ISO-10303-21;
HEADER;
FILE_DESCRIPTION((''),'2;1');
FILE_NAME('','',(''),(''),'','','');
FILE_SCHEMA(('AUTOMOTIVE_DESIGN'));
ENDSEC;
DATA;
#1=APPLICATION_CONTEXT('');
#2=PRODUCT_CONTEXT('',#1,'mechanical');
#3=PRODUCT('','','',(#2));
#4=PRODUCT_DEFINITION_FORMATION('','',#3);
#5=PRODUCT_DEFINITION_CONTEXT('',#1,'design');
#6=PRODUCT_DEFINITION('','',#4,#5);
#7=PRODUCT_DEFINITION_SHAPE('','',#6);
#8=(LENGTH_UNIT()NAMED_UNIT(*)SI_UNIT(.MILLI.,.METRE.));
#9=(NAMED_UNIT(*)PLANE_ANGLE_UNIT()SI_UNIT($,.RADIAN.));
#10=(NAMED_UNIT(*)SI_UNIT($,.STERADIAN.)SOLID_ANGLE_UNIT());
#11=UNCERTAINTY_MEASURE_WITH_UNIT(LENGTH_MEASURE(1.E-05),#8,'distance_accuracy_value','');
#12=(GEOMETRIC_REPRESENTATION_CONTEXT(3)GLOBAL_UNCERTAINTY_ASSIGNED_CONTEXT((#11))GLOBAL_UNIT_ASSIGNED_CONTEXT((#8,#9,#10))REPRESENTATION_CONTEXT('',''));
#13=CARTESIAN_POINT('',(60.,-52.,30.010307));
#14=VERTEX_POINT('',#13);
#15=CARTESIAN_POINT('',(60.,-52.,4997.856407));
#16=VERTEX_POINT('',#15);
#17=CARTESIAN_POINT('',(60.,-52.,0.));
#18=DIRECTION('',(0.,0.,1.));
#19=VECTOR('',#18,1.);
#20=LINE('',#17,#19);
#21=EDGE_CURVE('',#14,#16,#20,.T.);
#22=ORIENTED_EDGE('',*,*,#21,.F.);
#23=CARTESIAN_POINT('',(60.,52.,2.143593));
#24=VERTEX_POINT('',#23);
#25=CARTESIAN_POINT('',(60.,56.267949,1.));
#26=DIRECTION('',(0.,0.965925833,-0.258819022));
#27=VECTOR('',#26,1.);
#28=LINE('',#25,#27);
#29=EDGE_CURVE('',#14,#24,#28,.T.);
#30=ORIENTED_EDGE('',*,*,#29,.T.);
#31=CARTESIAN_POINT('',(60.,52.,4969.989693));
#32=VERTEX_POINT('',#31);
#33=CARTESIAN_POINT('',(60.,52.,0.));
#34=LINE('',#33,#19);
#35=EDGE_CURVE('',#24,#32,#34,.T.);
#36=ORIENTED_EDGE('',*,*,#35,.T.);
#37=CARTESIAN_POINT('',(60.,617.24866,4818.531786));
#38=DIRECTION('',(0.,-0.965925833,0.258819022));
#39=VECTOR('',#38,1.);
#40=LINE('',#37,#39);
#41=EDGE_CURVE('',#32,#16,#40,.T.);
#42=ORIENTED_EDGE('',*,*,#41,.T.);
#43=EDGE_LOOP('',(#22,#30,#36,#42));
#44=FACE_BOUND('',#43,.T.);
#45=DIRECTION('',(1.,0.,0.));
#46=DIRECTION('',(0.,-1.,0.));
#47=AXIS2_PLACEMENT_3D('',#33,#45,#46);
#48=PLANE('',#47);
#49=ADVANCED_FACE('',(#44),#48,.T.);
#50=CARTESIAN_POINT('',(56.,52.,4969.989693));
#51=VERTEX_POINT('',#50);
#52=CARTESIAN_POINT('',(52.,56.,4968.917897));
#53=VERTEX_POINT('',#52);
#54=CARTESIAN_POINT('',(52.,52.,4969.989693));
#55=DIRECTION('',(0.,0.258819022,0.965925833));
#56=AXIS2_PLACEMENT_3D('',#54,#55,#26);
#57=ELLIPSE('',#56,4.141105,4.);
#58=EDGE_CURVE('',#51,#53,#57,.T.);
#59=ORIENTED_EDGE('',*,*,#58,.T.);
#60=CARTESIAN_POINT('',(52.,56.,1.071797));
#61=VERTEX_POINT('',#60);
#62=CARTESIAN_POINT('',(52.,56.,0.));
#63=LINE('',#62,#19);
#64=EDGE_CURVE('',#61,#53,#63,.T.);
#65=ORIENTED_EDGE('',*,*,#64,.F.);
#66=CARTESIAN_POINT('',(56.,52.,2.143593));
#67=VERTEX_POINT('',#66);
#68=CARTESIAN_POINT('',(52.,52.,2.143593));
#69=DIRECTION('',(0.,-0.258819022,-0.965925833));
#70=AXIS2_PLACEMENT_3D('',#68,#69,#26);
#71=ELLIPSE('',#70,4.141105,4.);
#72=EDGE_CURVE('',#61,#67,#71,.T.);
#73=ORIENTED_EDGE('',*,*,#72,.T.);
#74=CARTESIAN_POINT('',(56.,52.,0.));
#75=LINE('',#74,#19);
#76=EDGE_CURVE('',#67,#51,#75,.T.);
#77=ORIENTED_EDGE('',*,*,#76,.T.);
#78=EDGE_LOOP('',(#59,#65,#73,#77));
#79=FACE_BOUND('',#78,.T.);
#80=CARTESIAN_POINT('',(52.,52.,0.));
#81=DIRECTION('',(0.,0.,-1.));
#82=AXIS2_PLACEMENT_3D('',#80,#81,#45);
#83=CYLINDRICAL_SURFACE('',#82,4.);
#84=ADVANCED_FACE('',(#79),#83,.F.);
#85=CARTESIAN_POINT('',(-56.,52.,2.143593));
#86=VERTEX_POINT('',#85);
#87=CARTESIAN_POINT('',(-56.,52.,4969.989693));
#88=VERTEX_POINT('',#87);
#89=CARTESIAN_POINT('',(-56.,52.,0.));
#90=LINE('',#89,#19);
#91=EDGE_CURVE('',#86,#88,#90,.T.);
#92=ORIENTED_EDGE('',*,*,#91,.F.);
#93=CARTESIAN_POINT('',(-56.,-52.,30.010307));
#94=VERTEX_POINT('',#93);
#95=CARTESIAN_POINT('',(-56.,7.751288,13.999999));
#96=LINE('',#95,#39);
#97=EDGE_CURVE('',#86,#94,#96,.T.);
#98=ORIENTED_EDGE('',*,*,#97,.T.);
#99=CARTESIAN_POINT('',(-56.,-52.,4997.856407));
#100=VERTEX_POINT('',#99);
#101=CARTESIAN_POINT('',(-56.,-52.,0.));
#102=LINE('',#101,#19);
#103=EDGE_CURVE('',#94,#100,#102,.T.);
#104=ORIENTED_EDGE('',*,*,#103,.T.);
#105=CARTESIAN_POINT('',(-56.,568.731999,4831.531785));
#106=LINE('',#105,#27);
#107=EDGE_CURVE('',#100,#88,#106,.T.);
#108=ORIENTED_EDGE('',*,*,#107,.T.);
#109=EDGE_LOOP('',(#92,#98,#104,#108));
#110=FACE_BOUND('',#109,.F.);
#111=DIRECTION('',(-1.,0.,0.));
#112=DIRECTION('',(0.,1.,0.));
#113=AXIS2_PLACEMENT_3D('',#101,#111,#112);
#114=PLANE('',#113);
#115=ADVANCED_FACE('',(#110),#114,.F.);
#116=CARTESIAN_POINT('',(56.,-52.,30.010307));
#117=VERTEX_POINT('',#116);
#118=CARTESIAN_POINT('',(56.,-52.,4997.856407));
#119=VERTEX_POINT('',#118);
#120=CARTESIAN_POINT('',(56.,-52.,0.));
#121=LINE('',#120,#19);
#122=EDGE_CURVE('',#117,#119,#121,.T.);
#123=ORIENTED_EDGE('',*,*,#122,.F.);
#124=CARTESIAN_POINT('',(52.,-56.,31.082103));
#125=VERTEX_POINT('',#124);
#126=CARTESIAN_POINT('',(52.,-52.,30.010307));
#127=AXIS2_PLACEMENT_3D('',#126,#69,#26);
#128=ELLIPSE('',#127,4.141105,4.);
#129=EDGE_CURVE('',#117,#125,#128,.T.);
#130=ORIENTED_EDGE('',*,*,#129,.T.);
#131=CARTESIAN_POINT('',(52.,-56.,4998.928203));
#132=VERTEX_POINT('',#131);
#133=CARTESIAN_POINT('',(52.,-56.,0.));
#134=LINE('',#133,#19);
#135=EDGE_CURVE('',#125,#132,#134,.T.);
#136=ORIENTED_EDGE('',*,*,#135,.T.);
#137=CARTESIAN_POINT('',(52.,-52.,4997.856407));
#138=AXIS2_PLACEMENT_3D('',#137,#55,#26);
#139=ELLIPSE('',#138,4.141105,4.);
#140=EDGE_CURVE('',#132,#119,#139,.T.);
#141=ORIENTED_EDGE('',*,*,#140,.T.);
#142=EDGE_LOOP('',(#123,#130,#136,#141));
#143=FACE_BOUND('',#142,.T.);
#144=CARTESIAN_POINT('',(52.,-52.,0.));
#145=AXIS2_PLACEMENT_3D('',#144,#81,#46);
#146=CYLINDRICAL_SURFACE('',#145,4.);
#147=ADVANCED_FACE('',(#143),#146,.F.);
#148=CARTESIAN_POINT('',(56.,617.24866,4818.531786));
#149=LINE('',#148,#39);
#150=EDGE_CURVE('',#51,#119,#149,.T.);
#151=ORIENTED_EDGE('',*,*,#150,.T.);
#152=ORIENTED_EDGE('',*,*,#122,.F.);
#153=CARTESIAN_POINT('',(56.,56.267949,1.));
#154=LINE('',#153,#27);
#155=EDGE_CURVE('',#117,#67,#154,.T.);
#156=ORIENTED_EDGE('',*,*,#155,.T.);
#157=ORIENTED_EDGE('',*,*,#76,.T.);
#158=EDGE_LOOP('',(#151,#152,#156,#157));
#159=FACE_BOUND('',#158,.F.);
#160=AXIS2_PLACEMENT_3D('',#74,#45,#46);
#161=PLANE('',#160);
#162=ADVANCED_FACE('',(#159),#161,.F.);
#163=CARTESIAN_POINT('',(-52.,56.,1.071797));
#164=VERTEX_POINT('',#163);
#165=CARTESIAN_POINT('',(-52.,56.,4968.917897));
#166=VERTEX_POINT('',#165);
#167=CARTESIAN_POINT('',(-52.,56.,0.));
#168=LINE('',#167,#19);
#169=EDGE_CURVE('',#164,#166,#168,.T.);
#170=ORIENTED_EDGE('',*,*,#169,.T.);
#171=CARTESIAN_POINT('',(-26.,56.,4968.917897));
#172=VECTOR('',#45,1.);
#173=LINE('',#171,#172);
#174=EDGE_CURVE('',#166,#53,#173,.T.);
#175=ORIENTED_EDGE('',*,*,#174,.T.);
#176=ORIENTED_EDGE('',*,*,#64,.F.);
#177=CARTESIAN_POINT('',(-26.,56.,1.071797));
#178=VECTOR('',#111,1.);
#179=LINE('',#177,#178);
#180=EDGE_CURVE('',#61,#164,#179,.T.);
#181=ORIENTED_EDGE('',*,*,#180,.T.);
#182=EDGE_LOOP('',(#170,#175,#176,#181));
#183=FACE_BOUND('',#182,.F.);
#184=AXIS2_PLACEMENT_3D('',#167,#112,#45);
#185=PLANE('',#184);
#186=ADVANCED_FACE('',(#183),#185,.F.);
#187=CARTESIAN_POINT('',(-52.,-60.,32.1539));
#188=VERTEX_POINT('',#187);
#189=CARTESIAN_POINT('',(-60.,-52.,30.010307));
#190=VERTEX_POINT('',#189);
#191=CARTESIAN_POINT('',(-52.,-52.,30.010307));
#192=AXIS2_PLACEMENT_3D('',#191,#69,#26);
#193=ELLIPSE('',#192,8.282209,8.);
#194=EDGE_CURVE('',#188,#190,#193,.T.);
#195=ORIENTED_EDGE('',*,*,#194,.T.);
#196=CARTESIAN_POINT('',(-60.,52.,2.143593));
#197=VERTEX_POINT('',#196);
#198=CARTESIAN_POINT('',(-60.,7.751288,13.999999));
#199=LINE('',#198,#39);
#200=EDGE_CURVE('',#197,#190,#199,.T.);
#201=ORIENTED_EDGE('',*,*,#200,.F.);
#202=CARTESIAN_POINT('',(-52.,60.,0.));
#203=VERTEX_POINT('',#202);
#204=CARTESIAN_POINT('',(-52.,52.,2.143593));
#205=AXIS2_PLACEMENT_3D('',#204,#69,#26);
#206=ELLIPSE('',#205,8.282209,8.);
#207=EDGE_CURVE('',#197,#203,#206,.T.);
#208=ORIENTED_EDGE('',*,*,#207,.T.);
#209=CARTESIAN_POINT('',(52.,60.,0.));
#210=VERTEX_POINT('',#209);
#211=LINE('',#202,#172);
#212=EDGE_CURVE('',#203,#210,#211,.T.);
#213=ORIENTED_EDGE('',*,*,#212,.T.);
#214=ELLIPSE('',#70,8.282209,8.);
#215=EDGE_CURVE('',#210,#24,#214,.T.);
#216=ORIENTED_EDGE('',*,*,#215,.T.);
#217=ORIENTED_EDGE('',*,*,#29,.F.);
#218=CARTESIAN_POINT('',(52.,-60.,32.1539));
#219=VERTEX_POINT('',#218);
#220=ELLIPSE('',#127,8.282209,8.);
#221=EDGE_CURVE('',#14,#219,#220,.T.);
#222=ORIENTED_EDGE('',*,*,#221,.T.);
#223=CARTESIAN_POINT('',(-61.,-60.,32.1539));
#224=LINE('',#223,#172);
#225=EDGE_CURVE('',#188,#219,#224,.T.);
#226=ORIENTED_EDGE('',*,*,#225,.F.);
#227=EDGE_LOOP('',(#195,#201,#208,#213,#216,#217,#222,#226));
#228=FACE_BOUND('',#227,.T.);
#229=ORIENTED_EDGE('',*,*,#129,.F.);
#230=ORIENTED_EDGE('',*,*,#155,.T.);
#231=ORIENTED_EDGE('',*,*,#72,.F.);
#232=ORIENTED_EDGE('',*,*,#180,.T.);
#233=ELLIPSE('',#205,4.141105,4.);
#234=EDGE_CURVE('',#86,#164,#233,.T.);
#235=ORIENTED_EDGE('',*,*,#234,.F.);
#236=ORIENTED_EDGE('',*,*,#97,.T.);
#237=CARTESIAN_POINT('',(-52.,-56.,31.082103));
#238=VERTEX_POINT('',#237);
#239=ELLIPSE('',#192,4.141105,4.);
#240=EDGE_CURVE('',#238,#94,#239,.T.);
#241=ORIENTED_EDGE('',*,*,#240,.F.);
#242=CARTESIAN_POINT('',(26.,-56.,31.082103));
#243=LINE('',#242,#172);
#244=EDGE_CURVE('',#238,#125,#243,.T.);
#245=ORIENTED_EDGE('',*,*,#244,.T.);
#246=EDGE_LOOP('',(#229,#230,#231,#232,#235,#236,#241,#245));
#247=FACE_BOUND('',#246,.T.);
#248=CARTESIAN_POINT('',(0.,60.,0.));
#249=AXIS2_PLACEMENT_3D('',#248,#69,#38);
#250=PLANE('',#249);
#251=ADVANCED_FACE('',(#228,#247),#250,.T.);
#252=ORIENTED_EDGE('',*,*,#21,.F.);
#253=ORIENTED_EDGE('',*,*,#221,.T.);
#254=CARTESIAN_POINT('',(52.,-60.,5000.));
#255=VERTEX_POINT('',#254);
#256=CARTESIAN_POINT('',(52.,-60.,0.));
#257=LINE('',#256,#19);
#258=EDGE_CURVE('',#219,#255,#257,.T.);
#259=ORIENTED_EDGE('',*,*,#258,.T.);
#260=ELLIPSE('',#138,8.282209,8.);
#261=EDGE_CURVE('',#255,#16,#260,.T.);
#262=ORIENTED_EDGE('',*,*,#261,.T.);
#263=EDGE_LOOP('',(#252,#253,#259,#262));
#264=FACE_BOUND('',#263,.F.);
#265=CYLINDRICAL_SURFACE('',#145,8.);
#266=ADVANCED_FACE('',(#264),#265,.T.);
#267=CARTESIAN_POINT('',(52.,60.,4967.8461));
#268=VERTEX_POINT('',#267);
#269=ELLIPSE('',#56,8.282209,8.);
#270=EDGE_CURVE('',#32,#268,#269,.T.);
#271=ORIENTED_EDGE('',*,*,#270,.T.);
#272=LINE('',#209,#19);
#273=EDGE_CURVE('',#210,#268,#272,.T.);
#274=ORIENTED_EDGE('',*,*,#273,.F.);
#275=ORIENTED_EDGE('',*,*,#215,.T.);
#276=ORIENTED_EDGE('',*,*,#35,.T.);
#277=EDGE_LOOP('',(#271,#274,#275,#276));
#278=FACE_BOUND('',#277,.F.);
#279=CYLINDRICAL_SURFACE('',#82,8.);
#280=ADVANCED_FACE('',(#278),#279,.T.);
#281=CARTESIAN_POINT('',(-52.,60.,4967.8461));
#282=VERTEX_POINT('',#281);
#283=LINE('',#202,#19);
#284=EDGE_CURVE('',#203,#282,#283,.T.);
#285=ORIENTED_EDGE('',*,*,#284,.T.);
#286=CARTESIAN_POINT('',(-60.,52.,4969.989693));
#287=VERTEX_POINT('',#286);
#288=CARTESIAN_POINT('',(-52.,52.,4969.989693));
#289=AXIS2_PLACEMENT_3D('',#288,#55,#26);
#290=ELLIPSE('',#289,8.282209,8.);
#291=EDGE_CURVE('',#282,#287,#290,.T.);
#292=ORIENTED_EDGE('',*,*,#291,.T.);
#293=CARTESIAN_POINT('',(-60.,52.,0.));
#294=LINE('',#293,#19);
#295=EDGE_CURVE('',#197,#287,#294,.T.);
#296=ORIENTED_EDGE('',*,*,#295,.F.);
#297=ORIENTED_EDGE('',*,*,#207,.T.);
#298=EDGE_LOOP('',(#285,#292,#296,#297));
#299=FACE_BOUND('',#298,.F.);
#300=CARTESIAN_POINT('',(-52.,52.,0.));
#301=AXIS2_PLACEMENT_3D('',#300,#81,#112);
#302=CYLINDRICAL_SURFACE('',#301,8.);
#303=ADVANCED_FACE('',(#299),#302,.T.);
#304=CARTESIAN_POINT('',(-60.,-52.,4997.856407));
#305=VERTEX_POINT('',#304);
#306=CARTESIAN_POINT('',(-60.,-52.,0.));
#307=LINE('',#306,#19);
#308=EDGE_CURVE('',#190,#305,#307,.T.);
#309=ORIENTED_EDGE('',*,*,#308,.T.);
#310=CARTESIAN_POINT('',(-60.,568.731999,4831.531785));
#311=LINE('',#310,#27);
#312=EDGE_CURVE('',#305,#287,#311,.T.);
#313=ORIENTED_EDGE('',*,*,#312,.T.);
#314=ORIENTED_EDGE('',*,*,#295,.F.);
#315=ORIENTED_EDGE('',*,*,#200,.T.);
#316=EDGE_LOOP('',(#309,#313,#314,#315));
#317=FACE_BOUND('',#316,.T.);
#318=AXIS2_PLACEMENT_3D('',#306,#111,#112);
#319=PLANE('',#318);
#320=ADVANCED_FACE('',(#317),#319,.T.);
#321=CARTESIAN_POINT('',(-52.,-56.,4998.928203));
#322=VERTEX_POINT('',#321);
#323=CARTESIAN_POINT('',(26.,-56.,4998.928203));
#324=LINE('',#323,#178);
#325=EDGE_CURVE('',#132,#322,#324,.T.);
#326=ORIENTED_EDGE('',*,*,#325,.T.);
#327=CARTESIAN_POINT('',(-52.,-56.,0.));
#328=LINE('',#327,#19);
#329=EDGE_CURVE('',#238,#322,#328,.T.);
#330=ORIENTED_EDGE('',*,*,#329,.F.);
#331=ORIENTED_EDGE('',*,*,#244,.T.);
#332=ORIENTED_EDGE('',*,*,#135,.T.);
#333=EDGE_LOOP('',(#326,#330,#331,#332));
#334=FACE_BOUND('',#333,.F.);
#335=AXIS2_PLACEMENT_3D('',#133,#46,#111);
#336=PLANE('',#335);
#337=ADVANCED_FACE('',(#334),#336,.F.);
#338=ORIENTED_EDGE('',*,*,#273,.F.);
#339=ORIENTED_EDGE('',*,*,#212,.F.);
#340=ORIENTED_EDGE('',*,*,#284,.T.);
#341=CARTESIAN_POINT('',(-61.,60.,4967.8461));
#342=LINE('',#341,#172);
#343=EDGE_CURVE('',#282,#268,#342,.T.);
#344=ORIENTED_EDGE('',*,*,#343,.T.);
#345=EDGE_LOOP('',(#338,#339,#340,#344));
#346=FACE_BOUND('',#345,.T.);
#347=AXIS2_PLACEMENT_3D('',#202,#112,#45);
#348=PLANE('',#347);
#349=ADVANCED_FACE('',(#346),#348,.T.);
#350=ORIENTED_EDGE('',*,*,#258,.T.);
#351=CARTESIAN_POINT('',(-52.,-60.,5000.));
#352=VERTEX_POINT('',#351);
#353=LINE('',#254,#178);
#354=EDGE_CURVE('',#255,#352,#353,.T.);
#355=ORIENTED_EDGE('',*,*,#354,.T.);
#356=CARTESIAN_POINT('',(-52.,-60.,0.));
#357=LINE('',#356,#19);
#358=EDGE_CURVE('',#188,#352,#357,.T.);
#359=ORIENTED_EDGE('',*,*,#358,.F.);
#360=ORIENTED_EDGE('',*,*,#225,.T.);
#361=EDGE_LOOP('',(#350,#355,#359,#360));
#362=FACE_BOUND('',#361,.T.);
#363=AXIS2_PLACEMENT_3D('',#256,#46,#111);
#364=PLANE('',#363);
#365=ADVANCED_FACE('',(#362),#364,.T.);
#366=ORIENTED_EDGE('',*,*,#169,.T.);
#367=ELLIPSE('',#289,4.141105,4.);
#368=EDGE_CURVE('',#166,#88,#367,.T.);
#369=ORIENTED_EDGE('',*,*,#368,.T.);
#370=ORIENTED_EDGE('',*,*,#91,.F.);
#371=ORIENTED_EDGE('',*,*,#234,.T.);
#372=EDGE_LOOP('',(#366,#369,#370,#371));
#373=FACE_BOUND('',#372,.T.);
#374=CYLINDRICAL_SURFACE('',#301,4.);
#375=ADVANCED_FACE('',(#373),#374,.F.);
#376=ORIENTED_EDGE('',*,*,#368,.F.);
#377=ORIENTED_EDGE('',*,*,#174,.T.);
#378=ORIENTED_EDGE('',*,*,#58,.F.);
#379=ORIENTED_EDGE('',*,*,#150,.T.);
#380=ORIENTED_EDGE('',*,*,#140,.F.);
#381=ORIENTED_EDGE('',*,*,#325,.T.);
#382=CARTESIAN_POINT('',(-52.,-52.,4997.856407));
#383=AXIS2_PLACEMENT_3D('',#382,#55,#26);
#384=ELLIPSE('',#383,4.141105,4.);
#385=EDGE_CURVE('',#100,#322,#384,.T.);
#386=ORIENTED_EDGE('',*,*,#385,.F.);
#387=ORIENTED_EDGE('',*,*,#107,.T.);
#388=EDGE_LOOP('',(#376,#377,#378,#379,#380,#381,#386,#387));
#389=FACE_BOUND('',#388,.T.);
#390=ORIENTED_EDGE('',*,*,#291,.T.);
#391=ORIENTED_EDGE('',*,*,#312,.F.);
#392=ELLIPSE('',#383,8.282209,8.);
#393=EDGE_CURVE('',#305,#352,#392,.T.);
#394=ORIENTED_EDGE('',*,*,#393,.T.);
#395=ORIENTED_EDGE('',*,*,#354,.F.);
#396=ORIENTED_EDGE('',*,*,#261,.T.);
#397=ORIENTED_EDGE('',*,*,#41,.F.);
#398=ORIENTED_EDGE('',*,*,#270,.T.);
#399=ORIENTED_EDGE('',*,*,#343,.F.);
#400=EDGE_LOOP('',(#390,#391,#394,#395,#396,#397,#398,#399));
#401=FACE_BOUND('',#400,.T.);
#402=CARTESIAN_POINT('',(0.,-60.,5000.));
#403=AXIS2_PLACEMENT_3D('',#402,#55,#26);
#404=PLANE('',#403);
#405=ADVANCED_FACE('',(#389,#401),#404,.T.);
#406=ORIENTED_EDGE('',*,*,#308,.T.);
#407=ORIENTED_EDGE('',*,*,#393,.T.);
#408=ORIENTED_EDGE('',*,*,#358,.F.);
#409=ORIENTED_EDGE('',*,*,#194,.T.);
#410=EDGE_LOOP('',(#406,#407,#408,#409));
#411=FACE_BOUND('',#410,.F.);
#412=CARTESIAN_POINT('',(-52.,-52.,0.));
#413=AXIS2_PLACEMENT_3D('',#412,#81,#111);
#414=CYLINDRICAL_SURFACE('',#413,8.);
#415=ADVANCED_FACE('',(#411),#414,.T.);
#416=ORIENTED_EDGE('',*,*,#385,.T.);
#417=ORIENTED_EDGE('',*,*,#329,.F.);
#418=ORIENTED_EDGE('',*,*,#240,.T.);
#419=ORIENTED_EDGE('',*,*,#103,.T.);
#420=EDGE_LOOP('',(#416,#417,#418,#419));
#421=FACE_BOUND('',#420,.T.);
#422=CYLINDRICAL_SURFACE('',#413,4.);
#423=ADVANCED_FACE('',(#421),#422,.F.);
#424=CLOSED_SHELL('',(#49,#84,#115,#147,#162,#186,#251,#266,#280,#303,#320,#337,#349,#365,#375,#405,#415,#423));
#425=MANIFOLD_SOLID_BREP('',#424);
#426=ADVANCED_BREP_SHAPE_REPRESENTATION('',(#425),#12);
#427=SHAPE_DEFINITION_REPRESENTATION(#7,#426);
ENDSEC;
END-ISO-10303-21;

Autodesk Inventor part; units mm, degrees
ref_plane "YZ Plane" through (0, 0, 0) normal (1, 0, 0) x (0, 1, 0)
ref_plane "Start plane" through (0, 0, 0) normal (0, 0, 1) x (1, 0, 0)
ref_plane "End plane" through (0, 0, 5000) normal (0, 0, 1) x (1, 0, 0)
sketch "Sketch" plane through (0, 0, 0) normal (0, 0, 1) x (1, 0, 0)
  line L0 (-60, -52) -> (-60, 52)
  line L1 (-52, 60) -> (52, 60)
  line L2 (60, 52) -> (60, -52)
  line L3 (52, -60) -> (-52, -60)
  arc A0 (-60, -52) -> (-52, -60) centre (-52, -52) ccw
  arc A1 (60, 52) -> (52, 60) centre (52, 52) ccw
  arc A2 (-52, 60) -> (-60, 52) centre (-52, 52) ccw
  arc A3 (52, -60) -> (60, -52) centre (52, -52) ccw
  arc A4 (-52, 56) -> (-56, 52) centre (-52, 52) ccw
  line L4 (-52, 56) -> (52, 56)
  arc A5 (56, 52) -> (52, 56) centre (52, 52) ccw
  line L5 (56, 52) -> (56, -52)
  arc A6 (52, -56) -> (56, -52) centre (52, -52) ccw
  line L6 (52, -56) -> (-52, -56)
  arc A7 (-56, -52) -> (-52, -56) centre (-52, -52) ccw
  line L7 (-56, -52) -> (-56, 52)
  line L8 (0, 72.3196) -> (0, -72.3196) construction
  line L9 (-86.3196, 0) -> (86.3196, 0) construction
  dimension "d7" = 8
  dimension "d9" = 120
  dimension "d11" = 120
  dimension "d12" = 4
  dimension "d15" = 60
  dimension "d16" = 60
extrude "Body" add sketch "Sketch" along normal up to surface (5000 mm away) from surface at 0
sketch "Sketch3" plane through (0, 0, 0) normal (0, 0, 1) x (1, 0, 0)
  line L0 (0, 0) -> (10, 0)
ref_plane "Work Plane3" through (0, 0, 0) normal (0, -1, 0) x (1, 0, 0)
sketch "Sketch5" plane through (0, 0, 0) normal (1, 0, 0) x (0, 1, 0)
  line L0 (60, 0) -> (60, 5000) projected
  line L1 (60, 0) -> (60, 5000) projected
  line L2 (-60, 0) -> (-60, 5000) projected
  line L3 (-60, 0) -> (-60, 5000) projected
  line L4 (60, 0) -> (-60, 32.1539)
  line L5 (52, 0) -> (60, 0) projected
  line L6 (60, 0) -> (-60, 0)
  line L7 (-60, 0) -> (-60, 5000) projected
  line L8 (60, 0) -> (60, 5000) projected
  line L9 (-60, 5000) -> (60, 5000)
  line L10 (-60, 5000) -> (60, 4967.8461)
  point P0 (0, 0)
  point P1 (60, 5000)
  point P2 (60, 4967.8461)
  point P3 (-60, 0)
  point P4 (-60, 32.1539)
  dimension "d19" = 15
extrude "Extrusion2" cut sketch "Sketch5" along normal through all both and the other way through all contours L5 L6 L2 L4 | L10 L9 L0
sketch "Sketch4" plane through (0, 0, 0) normal (0, -1, 0) x (1, 0, 0)
  line L0 (-2, 0) -> (12, 0) projected
  line L1 (-2, 5000) -> (12, 5000) projected
  dimension "d18" = 5000
equation "\"d7\" = G_IR"
equation "\"d9\" = G_W"
equation "\"d11\" = G_H"
equation "\"d12\" = G_T"
equation "\"d15\" = 0.5 * d9"
equation "\"d16\" = 0.5 * d11"
equation "\"d3\" = G_L"
equation "\"G_W\" = 120"
equation "\"G_H\" = 120"
equation "\"G_T\" = 4"
equation "\"G_IR\" = 8"
equation "\"G_L\" = d18"
equation "\"G_OFFSET_START\" = 0"
equation "\"G_OFFSET_END\" = 0"
properties part number "Stand" material "Steel, Mild"
